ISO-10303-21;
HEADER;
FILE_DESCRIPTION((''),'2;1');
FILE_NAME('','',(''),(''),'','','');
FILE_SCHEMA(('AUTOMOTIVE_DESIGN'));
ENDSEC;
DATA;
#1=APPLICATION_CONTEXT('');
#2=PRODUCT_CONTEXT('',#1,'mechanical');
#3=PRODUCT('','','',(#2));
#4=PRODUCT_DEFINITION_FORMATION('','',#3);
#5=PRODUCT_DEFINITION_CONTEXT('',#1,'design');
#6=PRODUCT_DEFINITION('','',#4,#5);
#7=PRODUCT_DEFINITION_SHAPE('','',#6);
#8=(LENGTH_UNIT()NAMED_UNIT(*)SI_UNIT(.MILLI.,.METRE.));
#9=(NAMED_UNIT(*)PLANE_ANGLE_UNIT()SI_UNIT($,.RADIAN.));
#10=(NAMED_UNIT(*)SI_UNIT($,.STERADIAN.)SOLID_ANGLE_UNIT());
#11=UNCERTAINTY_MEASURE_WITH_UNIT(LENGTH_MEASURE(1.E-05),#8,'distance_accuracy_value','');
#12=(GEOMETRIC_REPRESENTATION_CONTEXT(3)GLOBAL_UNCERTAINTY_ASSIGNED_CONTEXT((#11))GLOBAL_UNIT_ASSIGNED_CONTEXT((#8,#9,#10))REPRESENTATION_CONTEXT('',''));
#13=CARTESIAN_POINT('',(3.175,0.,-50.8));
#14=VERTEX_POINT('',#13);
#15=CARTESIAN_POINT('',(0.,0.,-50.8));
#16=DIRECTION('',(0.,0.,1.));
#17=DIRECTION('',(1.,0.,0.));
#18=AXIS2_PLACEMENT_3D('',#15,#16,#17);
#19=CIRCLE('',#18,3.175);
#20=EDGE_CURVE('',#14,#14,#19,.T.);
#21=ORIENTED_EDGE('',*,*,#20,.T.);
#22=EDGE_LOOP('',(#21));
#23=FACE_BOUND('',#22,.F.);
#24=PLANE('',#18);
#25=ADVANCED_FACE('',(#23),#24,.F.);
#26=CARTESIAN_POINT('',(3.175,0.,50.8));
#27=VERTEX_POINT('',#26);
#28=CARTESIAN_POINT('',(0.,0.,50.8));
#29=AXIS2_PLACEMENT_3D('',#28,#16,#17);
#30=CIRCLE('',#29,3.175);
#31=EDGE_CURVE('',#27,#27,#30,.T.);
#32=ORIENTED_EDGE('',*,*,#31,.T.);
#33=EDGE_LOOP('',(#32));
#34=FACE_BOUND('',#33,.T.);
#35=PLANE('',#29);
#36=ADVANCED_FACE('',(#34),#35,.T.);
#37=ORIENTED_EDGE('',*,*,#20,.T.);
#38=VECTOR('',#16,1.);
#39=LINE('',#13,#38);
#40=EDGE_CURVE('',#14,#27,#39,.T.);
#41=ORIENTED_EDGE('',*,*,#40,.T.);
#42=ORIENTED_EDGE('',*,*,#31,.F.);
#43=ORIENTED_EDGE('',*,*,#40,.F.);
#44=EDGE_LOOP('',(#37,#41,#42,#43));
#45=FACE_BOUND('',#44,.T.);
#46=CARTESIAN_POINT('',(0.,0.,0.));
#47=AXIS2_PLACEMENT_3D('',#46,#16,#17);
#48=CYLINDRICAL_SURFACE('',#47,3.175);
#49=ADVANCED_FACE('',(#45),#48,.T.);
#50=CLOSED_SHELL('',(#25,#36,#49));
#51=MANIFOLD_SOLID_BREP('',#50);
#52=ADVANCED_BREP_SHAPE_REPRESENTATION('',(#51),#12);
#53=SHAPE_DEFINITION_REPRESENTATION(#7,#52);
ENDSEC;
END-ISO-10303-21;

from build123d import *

# Parameters (mm, degrees)
SKETCH1_R           = 3.175
BOSS_EXTRUDE1_DEPTH = 50.8


with BuildPart() as part:
    # Sketch1 → Boss-Extrude1 (new body, symmetric)
    with BuildSketch(Plane.XY):
        Circle(SKETCH1_R)
    extrude(amount=BOSS_EXTRUDE1_DEPTH, both=True)


solid = part.part
